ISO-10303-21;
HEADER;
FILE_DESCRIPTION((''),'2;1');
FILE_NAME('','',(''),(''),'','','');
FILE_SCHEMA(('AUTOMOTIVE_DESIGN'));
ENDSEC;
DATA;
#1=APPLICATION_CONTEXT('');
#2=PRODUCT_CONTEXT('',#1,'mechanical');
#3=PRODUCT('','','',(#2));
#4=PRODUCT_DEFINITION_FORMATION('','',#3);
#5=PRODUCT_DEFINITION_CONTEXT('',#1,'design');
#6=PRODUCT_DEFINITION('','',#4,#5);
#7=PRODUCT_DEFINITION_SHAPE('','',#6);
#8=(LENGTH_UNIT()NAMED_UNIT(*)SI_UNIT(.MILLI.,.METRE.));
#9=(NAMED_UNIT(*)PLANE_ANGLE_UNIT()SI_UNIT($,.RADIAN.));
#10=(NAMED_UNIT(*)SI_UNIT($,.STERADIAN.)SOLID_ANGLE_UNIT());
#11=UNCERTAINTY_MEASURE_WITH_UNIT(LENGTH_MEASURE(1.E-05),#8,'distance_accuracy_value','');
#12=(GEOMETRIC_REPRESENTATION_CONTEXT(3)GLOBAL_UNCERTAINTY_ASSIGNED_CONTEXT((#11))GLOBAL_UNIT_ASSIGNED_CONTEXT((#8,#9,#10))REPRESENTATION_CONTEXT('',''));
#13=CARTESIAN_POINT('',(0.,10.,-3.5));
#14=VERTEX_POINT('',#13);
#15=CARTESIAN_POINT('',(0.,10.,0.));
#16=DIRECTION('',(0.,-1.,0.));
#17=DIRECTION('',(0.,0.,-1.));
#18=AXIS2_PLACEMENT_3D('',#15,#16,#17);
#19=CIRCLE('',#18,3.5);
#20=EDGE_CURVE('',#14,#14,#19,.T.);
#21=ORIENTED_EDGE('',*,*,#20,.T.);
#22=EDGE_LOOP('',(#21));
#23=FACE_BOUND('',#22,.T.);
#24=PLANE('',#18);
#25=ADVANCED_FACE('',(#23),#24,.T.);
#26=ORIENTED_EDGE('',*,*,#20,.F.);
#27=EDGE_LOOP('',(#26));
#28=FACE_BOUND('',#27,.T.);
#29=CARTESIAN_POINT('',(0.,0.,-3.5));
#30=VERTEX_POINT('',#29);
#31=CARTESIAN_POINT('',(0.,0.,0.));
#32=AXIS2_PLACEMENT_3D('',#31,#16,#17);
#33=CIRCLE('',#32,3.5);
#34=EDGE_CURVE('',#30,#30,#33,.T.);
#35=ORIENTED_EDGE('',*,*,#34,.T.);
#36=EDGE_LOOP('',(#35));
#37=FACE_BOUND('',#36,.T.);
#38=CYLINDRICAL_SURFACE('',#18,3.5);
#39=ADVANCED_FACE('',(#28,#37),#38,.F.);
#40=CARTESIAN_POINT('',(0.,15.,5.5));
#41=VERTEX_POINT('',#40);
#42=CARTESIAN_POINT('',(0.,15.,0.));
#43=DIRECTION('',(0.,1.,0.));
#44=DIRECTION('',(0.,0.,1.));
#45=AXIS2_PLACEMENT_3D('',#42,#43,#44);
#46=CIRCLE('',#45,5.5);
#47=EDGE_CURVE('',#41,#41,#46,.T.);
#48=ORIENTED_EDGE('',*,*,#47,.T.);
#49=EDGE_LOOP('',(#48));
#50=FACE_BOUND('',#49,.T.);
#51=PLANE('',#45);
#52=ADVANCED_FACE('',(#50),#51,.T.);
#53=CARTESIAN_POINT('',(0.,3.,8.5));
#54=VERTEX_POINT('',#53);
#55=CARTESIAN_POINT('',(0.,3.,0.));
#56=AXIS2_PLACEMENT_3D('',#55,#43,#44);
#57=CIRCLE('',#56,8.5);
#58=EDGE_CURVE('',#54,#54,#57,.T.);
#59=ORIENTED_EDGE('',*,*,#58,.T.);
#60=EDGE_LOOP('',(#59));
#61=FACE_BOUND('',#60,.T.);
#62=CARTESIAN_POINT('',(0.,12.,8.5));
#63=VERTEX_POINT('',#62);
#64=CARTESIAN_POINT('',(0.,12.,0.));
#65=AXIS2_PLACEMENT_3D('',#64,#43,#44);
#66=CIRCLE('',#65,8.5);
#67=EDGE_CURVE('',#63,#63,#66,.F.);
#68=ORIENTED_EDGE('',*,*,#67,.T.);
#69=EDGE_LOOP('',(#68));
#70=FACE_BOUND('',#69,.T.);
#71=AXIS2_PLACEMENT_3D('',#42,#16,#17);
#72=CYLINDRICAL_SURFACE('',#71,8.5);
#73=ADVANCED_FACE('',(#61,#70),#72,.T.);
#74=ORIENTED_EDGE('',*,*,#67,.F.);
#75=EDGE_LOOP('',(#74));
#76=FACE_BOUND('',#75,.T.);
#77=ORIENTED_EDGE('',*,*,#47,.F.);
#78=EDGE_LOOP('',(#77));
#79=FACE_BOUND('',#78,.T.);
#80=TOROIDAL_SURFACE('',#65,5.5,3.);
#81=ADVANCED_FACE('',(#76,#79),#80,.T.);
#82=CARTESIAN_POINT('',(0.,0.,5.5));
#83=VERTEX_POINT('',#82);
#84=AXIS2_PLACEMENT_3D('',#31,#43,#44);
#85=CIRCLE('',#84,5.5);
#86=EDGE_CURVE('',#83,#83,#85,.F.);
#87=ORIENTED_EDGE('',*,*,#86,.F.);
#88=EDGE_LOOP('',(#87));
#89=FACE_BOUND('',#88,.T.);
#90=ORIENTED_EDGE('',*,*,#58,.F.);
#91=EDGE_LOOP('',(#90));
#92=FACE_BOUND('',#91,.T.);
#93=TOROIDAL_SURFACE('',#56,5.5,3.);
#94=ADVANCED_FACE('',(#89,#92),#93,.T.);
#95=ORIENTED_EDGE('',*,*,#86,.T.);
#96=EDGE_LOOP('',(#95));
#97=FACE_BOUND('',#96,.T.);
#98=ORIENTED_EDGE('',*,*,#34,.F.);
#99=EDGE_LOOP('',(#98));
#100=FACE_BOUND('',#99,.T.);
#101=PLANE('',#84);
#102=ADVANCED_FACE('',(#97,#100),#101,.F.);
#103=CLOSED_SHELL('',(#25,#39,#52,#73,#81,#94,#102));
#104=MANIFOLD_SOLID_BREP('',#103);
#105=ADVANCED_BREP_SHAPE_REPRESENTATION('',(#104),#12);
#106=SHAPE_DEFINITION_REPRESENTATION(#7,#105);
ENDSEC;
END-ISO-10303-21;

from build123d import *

# Parameters (mm, degrees)
SKETCH_1_R          = 8.5
EXTRUDE_1_DEPTH     = 15
SKETCH_2_R          = 3.5
CUT_EXTRUDE_1_DEPTH = 10
FILLET_1_R          = 3


with BuildPart() as part:
    # Эскиз1 → Бобышка-Вытянуть1 (new body)
    with BuildSketch(Plane(origin=(0, 0, 0), x_dir=(1, 0, 0), z_dir=(0, 1, 0))):
        Circle(SKETCH_1_R)
    extrude(amount=EXTRUDE_1_DEPTH)

    # Эскиз2 → Вырез-Вытянуть1 (cut)
    with BuildSketch(Plane.XZ):
        Circle(SKETCH_2_R)
    extrude(amount=-CUT_EXTRUDE_1_DEPTH, mode=Mode.SUBTRACT)

    # Скругление1
    fillet_1_edges = [part.edges().sort_by_distance(p)[0] for p in [
        (-8.5, 0, 0),
        (-8.5, 15, 0),
    ]]
    fillet(fillet_1_edges, radius=FILLET_1_R)


solid = part.part
